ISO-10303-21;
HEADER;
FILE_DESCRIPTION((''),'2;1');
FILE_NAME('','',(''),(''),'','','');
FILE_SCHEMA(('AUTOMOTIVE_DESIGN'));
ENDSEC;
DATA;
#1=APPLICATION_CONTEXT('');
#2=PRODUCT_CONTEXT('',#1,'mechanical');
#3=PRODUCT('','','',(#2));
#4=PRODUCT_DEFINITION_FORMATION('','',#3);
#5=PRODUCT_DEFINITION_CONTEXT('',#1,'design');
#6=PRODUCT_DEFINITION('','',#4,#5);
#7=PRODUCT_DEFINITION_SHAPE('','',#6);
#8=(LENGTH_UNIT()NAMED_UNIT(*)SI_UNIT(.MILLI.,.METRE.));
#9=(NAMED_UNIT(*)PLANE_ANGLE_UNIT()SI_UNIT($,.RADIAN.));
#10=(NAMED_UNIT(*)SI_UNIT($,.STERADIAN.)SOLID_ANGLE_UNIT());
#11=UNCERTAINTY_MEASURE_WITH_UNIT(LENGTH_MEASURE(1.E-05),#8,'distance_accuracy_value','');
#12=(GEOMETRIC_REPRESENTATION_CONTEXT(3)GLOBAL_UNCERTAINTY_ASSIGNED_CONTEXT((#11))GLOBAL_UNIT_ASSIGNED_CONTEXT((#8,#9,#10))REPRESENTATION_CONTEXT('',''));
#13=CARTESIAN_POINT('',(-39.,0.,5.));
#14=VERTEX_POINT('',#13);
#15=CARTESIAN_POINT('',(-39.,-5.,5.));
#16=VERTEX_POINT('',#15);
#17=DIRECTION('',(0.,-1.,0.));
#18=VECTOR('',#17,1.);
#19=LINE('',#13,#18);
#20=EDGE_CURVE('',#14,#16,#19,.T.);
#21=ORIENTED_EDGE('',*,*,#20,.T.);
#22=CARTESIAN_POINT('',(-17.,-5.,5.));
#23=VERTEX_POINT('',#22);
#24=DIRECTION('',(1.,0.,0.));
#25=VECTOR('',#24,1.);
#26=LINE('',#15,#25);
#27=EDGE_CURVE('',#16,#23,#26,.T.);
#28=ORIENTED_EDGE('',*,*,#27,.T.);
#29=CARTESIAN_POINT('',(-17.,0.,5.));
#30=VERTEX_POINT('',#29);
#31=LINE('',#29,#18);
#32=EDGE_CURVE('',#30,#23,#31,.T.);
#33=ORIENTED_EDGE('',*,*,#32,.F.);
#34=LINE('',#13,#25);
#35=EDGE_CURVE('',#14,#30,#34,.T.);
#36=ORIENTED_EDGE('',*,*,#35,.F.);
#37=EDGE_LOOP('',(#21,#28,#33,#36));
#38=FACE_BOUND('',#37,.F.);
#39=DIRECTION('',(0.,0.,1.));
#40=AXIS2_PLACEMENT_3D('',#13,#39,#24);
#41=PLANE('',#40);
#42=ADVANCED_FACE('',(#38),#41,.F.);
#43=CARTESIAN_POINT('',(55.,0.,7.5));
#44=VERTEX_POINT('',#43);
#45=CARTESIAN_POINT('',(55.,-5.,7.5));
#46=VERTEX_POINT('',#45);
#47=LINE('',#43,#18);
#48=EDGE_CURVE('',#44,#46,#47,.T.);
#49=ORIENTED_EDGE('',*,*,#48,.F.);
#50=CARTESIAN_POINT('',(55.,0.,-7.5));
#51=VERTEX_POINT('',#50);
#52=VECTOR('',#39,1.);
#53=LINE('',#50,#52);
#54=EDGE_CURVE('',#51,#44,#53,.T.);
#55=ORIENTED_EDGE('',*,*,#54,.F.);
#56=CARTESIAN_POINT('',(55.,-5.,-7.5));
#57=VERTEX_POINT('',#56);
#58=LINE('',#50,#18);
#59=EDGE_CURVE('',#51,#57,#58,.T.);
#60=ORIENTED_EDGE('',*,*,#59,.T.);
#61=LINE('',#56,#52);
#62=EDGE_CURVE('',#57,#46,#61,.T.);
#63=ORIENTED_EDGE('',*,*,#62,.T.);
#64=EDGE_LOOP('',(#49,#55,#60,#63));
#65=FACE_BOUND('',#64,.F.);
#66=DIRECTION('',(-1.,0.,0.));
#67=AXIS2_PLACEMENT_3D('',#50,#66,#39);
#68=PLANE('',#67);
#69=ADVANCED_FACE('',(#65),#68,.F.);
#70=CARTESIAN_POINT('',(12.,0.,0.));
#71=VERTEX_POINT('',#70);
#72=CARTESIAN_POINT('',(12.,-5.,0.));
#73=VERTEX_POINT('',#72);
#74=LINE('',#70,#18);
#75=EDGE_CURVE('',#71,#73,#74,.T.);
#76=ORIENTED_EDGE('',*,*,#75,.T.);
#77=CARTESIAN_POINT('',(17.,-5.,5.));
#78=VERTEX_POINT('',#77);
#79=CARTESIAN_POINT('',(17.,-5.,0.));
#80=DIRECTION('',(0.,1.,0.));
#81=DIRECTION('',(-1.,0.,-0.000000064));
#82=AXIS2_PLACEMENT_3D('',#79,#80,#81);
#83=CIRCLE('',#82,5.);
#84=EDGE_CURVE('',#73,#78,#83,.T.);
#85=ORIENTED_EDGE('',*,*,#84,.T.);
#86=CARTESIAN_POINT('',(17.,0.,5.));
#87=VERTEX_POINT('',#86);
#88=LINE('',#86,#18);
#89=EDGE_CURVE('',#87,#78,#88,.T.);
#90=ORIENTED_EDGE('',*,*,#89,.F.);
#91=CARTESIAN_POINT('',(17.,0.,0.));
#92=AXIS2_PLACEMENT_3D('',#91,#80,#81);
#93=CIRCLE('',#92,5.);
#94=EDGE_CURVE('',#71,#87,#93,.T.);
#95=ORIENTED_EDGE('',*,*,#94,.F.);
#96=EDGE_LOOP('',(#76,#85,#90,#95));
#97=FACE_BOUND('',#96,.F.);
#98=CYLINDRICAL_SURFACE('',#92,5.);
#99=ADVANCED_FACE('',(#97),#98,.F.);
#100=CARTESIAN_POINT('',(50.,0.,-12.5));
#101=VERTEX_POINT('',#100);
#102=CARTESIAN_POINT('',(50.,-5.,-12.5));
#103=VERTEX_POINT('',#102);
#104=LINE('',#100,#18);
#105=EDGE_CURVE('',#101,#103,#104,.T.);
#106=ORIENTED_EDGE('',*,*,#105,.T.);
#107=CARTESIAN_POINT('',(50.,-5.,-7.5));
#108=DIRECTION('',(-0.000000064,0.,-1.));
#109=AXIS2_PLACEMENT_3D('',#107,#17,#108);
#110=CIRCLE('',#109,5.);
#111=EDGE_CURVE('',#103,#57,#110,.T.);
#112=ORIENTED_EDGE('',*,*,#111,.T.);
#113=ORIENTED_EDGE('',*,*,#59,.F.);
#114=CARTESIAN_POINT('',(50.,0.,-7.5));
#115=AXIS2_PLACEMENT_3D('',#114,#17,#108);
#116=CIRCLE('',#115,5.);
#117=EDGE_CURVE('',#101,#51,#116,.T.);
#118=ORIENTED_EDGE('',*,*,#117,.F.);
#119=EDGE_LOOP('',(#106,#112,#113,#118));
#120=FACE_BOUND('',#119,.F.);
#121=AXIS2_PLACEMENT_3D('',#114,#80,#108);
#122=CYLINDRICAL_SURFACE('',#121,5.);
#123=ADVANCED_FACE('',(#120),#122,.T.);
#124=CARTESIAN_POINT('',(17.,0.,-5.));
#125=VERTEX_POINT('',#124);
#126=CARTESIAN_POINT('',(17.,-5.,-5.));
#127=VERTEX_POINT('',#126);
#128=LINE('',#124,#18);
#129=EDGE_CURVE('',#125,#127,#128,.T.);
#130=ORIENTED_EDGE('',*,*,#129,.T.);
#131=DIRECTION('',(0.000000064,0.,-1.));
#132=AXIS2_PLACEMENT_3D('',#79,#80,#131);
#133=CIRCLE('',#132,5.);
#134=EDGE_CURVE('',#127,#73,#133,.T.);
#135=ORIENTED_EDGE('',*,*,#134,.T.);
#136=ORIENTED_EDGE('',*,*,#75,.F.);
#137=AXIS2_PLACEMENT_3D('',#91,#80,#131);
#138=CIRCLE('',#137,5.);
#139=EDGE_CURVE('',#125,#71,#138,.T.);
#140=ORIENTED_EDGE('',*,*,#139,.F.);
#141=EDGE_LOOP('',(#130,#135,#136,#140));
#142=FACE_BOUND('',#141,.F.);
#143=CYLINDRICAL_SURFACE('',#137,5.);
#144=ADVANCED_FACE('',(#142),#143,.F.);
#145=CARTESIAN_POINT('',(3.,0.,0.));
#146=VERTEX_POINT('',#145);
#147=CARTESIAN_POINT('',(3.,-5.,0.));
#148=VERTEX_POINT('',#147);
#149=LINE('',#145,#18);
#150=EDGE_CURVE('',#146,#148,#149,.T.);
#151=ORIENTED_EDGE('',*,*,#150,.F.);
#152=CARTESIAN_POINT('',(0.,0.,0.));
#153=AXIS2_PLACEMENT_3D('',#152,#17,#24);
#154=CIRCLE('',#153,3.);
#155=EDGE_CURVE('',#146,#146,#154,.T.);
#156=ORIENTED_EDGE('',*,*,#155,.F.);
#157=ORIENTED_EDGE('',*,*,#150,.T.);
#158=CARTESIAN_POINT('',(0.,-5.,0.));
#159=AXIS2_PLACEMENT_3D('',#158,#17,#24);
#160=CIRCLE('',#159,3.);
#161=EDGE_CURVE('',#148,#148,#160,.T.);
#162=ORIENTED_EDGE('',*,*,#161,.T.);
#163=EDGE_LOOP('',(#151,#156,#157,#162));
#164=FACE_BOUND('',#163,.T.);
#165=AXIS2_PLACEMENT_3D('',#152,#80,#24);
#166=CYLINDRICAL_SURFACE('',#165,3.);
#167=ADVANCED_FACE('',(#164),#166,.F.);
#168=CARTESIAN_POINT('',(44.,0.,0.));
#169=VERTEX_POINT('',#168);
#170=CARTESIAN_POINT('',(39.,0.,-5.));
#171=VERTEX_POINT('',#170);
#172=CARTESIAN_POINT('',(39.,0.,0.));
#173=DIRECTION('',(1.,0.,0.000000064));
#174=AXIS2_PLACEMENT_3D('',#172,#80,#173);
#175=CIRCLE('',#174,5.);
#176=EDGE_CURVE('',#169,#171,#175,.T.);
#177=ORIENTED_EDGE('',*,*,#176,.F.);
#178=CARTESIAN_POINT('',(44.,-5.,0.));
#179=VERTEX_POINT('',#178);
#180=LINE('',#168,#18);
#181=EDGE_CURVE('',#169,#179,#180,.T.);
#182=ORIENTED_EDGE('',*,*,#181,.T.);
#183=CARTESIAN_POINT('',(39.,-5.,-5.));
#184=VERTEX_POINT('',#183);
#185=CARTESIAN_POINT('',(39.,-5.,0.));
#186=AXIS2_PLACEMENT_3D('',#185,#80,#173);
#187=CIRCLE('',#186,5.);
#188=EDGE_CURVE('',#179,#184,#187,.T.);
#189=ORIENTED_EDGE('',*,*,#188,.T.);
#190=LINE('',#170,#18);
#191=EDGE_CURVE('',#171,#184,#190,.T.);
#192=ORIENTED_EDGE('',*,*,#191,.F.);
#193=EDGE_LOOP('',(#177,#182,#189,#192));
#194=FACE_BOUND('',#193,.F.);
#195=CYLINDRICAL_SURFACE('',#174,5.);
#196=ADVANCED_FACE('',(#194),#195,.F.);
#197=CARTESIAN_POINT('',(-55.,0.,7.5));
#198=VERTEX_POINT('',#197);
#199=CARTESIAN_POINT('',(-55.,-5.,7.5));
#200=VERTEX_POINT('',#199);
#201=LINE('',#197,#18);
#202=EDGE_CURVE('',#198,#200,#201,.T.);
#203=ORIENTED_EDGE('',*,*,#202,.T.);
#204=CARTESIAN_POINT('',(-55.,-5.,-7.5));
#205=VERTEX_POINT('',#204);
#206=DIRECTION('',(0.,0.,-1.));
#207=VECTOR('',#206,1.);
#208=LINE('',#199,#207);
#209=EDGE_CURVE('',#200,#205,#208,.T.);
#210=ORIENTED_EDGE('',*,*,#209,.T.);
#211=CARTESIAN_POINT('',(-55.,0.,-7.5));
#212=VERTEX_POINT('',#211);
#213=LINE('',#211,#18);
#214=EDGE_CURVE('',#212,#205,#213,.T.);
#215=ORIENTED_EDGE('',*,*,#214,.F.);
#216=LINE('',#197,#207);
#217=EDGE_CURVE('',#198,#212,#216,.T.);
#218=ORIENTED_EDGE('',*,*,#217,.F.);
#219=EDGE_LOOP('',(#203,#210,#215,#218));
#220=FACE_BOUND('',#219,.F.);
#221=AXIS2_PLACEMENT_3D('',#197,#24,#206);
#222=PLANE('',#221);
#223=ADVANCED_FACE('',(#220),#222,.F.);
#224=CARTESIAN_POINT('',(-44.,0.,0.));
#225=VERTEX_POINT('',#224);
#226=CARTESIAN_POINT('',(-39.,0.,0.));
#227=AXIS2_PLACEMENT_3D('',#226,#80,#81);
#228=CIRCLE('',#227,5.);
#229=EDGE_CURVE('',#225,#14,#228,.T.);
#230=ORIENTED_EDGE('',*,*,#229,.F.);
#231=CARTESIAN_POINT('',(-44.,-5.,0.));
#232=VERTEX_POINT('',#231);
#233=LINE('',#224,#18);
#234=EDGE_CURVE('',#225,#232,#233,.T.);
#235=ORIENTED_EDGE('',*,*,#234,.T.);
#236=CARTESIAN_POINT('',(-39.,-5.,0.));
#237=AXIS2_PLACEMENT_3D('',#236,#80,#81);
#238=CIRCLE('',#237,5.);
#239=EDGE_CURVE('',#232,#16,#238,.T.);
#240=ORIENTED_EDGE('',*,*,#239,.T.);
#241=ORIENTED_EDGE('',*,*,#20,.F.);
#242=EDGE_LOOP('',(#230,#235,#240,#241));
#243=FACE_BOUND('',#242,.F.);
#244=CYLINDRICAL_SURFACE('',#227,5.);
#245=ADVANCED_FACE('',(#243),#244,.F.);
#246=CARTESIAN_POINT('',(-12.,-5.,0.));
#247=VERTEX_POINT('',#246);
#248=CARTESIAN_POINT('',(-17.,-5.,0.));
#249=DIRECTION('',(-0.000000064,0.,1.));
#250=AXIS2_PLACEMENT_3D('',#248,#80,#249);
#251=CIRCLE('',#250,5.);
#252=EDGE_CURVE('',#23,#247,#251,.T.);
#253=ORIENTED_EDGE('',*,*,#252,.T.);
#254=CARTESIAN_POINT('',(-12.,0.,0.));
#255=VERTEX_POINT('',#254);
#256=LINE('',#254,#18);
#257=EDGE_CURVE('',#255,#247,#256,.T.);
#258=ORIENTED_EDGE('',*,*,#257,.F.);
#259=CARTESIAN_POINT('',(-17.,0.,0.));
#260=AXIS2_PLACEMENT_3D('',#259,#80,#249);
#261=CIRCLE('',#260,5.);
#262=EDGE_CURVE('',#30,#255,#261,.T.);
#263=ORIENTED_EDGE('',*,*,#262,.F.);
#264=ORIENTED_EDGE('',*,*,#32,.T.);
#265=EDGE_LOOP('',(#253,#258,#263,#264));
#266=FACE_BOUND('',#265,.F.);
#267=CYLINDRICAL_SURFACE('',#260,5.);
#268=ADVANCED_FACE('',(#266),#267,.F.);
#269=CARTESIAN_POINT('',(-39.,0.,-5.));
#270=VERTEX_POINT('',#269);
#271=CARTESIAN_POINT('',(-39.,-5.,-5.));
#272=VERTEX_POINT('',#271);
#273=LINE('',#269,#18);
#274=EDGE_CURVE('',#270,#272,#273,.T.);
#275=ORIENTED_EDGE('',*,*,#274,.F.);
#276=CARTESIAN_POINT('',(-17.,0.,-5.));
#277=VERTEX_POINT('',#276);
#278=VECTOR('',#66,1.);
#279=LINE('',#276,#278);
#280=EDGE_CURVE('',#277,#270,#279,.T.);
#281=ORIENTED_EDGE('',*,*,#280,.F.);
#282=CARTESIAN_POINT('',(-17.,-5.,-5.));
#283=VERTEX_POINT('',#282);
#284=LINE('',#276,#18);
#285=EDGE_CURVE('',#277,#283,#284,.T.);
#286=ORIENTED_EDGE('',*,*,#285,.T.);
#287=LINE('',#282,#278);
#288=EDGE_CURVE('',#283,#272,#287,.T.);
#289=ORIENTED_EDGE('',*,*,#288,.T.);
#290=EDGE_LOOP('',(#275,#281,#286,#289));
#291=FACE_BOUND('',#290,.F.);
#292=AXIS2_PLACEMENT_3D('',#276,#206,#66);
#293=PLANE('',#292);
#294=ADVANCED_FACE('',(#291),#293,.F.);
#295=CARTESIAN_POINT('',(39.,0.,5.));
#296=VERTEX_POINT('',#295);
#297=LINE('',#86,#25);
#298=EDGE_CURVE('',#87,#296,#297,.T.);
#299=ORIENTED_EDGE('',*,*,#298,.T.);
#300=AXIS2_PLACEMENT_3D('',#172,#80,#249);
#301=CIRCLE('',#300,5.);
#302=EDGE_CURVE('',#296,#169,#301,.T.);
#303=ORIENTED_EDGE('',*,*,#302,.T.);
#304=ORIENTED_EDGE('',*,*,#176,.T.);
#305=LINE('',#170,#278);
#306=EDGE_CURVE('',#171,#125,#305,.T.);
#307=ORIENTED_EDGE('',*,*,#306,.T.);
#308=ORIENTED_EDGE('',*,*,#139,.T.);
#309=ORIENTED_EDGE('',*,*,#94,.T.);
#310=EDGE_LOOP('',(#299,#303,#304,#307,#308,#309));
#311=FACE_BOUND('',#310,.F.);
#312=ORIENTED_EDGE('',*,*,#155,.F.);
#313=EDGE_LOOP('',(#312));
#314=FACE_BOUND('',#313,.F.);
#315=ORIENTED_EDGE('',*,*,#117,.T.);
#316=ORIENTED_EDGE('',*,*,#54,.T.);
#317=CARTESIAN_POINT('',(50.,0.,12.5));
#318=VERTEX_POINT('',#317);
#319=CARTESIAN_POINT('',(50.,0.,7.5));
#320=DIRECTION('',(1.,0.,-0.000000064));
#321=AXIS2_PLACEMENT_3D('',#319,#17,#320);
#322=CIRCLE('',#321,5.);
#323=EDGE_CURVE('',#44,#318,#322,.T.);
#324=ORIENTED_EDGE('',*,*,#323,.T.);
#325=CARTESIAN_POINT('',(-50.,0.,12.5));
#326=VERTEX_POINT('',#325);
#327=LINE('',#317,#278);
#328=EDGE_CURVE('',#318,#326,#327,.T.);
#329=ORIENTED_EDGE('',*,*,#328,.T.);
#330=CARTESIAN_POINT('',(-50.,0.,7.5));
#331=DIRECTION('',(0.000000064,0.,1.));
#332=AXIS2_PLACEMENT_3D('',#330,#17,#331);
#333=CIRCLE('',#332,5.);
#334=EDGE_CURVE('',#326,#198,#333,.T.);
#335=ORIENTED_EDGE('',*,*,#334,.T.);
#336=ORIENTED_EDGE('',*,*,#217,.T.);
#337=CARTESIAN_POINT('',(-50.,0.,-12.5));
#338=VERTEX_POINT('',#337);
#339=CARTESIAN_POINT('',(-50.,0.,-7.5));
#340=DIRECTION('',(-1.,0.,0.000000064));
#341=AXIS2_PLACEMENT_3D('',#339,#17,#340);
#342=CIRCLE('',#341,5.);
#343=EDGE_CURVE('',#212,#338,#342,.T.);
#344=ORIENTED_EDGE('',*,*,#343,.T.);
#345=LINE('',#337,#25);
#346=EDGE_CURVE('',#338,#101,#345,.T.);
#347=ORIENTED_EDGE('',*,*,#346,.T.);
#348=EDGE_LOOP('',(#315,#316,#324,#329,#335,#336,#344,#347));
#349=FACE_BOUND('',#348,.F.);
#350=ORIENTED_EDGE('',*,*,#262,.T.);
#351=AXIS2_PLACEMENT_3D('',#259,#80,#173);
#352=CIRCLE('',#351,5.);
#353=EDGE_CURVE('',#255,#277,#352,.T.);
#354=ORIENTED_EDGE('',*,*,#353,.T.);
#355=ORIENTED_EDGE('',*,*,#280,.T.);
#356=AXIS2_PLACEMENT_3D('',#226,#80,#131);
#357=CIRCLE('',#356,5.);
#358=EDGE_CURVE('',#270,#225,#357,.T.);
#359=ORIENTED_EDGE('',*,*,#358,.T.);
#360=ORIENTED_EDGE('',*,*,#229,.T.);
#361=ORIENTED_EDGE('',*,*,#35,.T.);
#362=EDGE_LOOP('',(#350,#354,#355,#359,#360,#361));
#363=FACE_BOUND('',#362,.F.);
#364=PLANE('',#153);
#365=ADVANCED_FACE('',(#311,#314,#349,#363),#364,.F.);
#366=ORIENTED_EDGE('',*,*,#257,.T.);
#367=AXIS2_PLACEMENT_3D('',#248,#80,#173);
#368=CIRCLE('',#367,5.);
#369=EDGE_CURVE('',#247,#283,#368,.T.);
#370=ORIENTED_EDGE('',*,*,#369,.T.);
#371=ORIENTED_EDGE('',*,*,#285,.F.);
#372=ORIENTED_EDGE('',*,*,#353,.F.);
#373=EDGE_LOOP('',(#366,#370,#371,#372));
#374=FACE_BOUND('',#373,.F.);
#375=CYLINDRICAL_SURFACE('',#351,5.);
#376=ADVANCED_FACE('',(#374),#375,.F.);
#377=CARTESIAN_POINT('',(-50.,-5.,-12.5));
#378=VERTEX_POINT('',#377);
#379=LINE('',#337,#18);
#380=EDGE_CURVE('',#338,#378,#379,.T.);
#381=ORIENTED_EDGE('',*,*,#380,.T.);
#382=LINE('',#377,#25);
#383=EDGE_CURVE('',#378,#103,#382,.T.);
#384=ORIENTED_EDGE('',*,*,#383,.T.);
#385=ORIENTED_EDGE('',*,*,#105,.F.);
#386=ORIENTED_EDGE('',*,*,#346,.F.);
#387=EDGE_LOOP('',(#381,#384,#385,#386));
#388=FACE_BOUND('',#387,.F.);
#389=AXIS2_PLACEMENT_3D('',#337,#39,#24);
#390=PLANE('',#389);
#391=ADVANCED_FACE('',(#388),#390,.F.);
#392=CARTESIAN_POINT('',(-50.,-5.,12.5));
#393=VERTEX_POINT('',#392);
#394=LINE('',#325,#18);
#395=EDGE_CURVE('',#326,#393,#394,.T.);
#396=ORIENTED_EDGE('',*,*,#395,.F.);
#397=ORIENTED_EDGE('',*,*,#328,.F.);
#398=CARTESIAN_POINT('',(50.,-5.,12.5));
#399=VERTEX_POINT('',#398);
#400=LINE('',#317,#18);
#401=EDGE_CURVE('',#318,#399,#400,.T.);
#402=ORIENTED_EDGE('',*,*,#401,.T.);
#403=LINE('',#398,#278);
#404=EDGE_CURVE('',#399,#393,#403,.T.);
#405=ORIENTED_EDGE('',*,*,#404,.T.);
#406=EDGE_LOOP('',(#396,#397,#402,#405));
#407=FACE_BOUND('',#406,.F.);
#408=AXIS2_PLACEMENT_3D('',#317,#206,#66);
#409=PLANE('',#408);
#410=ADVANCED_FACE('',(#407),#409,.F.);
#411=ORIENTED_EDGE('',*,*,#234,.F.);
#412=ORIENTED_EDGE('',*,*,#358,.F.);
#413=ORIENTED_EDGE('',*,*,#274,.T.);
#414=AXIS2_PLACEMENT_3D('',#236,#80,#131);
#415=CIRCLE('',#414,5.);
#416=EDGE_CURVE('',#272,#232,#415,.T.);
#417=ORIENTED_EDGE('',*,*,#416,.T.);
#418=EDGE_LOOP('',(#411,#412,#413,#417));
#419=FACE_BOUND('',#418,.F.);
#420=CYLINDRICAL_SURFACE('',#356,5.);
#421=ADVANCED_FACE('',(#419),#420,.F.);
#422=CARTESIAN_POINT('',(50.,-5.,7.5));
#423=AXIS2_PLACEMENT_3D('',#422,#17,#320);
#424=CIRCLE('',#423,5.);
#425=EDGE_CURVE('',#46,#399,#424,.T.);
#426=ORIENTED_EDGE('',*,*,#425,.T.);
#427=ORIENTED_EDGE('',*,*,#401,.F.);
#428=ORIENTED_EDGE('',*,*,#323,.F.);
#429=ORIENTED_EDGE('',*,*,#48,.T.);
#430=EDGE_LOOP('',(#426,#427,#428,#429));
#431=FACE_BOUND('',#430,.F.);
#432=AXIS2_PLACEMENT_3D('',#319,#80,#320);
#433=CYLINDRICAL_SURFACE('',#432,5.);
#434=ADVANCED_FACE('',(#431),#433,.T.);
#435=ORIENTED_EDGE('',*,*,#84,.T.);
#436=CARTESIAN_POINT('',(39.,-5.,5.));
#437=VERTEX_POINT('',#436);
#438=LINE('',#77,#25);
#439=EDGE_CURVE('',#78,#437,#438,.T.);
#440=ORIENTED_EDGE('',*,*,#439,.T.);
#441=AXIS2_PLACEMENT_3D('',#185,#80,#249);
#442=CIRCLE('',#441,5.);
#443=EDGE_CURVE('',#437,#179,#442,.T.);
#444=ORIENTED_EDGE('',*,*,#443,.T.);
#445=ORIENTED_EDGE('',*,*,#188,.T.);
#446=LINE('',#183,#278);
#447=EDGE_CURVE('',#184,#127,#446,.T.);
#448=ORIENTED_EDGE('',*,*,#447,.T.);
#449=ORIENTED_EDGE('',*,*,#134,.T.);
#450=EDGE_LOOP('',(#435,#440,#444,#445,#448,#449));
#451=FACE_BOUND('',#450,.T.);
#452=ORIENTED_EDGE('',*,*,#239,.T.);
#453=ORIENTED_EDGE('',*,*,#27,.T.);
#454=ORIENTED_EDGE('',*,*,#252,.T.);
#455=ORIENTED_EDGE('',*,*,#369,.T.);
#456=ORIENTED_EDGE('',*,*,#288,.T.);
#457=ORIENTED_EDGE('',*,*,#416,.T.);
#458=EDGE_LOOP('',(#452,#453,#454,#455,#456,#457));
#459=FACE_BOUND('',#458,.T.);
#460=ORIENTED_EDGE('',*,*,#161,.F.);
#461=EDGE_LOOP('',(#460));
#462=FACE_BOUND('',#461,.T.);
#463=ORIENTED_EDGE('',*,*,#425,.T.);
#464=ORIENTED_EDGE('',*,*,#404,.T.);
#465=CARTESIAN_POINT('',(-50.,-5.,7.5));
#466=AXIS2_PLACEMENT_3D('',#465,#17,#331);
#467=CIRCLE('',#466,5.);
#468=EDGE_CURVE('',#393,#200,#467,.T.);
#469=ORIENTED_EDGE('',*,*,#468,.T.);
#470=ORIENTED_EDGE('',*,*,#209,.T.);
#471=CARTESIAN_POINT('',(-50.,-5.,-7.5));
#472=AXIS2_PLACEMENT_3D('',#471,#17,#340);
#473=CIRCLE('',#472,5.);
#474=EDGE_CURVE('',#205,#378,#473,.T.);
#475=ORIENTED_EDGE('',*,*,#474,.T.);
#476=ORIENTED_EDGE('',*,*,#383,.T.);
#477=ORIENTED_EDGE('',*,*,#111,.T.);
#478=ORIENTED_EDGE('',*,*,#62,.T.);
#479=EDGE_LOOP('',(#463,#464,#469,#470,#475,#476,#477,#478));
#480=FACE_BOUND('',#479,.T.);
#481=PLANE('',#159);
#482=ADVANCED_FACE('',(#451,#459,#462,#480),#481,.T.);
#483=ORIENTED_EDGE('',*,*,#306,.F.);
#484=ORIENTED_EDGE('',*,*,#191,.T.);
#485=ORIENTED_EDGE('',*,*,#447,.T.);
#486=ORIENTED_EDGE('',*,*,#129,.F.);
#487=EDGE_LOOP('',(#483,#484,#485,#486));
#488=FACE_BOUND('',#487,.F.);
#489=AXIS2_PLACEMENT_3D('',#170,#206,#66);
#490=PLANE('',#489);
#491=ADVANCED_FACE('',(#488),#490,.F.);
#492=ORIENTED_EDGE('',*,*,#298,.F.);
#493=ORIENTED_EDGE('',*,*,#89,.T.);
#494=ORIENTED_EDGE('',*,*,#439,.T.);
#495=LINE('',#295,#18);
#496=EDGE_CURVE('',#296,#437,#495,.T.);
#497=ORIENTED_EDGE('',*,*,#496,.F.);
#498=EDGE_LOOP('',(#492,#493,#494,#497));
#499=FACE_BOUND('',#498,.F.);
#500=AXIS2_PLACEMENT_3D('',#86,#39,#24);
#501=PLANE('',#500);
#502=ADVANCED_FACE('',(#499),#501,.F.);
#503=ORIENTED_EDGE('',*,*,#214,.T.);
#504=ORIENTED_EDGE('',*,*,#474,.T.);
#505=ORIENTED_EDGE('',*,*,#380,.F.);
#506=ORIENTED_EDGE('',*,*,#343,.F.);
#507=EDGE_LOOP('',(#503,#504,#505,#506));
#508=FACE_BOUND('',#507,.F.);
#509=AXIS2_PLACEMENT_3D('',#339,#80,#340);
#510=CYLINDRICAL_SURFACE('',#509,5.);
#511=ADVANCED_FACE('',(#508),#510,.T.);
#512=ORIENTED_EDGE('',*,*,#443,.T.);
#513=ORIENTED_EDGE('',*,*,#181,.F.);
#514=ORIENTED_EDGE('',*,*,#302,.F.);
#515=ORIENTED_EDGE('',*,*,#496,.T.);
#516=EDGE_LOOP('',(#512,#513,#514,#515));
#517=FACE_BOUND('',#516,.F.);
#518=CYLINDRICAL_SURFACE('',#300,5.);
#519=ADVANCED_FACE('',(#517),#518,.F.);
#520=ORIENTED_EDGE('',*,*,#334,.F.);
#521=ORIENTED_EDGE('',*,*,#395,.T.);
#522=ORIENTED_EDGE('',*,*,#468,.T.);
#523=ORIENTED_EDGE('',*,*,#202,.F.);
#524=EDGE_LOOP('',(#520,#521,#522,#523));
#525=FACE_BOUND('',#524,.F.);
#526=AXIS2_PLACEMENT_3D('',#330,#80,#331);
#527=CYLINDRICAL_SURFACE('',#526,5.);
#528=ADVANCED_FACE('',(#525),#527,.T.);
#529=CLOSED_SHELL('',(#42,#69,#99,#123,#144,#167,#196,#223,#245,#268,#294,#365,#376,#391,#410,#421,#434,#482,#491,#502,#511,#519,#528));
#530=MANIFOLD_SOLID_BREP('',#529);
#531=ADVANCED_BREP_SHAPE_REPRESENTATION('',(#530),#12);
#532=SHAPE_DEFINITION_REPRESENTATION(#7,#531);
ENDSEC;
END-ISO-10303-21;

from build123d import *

# Parameters (mm, degrees)
F0_R     = 3
F1_DEPTH = 5


with BuildPart() as f1:
    # F0 (on Front) → F1 (new body)
    with BuildSketch(Plane.XZ):
        with BuildLine():
            Line((50, 12.5), (-50, 12.5))
            ThreePointArc((-50, 12.5), (-53.535534, 11.035534), (-55, 7.5))
            Line((-55, 7.5), (-55, -7.5))
            ThreePointArc((-55, -7.5), (-53.535534, -11.035534), (-50, -12.5))
            Line((-50, -12.5), (50, -12.5))
            ThreePointArc((50, -12.5), (53.535534, -11.035534), (55, -7.5))
            Line((55, -7.5), (55, 7.5))
            ThreePointArc((55, 7.5), (53.535534, 11.035534), (50, 12.5))
        make_face()
        with BuildLine():
            ThreePointArc((-44, 0), (-42.535534, 3.535534), (-39, 5))
            Line((-39, 5), (-17, 5))
            ThreePointArc((-17, 5), (-13.464466, 3.535534), (-12, 0))
            ThreePointArc((-12, 0), (-13.464466, -3.535534), (-17, -5))
            Line((-17, -5), (-39, -5))
            ThreePointArc((-39, -5), (-42.535534, -3.535534), (-44, 0))
        make_face(mode=Mode.SUBTRACT)
        Circle(F0_R, mode=Mode.SUBTRACT)
        with BuildLine():
            ThreePointArc((17, -5), (13.464466, -3.535534), (12, 0))
            ThreePointArc((12, 0), (13.464466, 3.535534), (17, 5))
            Line((17, 5), (39, 5))
            ThreePointArc((39, 5), (42.535534, 3.535534), (44, 0))
            ThreePointArc((44, 0), (42.535534, -3.535534), (39, -5))
            Line((39, -5), (17, -5))
        make_face(mode=Mode.SUBTRACT)
    extrude(amount=F1_DEPTH)


solid = f1.part
